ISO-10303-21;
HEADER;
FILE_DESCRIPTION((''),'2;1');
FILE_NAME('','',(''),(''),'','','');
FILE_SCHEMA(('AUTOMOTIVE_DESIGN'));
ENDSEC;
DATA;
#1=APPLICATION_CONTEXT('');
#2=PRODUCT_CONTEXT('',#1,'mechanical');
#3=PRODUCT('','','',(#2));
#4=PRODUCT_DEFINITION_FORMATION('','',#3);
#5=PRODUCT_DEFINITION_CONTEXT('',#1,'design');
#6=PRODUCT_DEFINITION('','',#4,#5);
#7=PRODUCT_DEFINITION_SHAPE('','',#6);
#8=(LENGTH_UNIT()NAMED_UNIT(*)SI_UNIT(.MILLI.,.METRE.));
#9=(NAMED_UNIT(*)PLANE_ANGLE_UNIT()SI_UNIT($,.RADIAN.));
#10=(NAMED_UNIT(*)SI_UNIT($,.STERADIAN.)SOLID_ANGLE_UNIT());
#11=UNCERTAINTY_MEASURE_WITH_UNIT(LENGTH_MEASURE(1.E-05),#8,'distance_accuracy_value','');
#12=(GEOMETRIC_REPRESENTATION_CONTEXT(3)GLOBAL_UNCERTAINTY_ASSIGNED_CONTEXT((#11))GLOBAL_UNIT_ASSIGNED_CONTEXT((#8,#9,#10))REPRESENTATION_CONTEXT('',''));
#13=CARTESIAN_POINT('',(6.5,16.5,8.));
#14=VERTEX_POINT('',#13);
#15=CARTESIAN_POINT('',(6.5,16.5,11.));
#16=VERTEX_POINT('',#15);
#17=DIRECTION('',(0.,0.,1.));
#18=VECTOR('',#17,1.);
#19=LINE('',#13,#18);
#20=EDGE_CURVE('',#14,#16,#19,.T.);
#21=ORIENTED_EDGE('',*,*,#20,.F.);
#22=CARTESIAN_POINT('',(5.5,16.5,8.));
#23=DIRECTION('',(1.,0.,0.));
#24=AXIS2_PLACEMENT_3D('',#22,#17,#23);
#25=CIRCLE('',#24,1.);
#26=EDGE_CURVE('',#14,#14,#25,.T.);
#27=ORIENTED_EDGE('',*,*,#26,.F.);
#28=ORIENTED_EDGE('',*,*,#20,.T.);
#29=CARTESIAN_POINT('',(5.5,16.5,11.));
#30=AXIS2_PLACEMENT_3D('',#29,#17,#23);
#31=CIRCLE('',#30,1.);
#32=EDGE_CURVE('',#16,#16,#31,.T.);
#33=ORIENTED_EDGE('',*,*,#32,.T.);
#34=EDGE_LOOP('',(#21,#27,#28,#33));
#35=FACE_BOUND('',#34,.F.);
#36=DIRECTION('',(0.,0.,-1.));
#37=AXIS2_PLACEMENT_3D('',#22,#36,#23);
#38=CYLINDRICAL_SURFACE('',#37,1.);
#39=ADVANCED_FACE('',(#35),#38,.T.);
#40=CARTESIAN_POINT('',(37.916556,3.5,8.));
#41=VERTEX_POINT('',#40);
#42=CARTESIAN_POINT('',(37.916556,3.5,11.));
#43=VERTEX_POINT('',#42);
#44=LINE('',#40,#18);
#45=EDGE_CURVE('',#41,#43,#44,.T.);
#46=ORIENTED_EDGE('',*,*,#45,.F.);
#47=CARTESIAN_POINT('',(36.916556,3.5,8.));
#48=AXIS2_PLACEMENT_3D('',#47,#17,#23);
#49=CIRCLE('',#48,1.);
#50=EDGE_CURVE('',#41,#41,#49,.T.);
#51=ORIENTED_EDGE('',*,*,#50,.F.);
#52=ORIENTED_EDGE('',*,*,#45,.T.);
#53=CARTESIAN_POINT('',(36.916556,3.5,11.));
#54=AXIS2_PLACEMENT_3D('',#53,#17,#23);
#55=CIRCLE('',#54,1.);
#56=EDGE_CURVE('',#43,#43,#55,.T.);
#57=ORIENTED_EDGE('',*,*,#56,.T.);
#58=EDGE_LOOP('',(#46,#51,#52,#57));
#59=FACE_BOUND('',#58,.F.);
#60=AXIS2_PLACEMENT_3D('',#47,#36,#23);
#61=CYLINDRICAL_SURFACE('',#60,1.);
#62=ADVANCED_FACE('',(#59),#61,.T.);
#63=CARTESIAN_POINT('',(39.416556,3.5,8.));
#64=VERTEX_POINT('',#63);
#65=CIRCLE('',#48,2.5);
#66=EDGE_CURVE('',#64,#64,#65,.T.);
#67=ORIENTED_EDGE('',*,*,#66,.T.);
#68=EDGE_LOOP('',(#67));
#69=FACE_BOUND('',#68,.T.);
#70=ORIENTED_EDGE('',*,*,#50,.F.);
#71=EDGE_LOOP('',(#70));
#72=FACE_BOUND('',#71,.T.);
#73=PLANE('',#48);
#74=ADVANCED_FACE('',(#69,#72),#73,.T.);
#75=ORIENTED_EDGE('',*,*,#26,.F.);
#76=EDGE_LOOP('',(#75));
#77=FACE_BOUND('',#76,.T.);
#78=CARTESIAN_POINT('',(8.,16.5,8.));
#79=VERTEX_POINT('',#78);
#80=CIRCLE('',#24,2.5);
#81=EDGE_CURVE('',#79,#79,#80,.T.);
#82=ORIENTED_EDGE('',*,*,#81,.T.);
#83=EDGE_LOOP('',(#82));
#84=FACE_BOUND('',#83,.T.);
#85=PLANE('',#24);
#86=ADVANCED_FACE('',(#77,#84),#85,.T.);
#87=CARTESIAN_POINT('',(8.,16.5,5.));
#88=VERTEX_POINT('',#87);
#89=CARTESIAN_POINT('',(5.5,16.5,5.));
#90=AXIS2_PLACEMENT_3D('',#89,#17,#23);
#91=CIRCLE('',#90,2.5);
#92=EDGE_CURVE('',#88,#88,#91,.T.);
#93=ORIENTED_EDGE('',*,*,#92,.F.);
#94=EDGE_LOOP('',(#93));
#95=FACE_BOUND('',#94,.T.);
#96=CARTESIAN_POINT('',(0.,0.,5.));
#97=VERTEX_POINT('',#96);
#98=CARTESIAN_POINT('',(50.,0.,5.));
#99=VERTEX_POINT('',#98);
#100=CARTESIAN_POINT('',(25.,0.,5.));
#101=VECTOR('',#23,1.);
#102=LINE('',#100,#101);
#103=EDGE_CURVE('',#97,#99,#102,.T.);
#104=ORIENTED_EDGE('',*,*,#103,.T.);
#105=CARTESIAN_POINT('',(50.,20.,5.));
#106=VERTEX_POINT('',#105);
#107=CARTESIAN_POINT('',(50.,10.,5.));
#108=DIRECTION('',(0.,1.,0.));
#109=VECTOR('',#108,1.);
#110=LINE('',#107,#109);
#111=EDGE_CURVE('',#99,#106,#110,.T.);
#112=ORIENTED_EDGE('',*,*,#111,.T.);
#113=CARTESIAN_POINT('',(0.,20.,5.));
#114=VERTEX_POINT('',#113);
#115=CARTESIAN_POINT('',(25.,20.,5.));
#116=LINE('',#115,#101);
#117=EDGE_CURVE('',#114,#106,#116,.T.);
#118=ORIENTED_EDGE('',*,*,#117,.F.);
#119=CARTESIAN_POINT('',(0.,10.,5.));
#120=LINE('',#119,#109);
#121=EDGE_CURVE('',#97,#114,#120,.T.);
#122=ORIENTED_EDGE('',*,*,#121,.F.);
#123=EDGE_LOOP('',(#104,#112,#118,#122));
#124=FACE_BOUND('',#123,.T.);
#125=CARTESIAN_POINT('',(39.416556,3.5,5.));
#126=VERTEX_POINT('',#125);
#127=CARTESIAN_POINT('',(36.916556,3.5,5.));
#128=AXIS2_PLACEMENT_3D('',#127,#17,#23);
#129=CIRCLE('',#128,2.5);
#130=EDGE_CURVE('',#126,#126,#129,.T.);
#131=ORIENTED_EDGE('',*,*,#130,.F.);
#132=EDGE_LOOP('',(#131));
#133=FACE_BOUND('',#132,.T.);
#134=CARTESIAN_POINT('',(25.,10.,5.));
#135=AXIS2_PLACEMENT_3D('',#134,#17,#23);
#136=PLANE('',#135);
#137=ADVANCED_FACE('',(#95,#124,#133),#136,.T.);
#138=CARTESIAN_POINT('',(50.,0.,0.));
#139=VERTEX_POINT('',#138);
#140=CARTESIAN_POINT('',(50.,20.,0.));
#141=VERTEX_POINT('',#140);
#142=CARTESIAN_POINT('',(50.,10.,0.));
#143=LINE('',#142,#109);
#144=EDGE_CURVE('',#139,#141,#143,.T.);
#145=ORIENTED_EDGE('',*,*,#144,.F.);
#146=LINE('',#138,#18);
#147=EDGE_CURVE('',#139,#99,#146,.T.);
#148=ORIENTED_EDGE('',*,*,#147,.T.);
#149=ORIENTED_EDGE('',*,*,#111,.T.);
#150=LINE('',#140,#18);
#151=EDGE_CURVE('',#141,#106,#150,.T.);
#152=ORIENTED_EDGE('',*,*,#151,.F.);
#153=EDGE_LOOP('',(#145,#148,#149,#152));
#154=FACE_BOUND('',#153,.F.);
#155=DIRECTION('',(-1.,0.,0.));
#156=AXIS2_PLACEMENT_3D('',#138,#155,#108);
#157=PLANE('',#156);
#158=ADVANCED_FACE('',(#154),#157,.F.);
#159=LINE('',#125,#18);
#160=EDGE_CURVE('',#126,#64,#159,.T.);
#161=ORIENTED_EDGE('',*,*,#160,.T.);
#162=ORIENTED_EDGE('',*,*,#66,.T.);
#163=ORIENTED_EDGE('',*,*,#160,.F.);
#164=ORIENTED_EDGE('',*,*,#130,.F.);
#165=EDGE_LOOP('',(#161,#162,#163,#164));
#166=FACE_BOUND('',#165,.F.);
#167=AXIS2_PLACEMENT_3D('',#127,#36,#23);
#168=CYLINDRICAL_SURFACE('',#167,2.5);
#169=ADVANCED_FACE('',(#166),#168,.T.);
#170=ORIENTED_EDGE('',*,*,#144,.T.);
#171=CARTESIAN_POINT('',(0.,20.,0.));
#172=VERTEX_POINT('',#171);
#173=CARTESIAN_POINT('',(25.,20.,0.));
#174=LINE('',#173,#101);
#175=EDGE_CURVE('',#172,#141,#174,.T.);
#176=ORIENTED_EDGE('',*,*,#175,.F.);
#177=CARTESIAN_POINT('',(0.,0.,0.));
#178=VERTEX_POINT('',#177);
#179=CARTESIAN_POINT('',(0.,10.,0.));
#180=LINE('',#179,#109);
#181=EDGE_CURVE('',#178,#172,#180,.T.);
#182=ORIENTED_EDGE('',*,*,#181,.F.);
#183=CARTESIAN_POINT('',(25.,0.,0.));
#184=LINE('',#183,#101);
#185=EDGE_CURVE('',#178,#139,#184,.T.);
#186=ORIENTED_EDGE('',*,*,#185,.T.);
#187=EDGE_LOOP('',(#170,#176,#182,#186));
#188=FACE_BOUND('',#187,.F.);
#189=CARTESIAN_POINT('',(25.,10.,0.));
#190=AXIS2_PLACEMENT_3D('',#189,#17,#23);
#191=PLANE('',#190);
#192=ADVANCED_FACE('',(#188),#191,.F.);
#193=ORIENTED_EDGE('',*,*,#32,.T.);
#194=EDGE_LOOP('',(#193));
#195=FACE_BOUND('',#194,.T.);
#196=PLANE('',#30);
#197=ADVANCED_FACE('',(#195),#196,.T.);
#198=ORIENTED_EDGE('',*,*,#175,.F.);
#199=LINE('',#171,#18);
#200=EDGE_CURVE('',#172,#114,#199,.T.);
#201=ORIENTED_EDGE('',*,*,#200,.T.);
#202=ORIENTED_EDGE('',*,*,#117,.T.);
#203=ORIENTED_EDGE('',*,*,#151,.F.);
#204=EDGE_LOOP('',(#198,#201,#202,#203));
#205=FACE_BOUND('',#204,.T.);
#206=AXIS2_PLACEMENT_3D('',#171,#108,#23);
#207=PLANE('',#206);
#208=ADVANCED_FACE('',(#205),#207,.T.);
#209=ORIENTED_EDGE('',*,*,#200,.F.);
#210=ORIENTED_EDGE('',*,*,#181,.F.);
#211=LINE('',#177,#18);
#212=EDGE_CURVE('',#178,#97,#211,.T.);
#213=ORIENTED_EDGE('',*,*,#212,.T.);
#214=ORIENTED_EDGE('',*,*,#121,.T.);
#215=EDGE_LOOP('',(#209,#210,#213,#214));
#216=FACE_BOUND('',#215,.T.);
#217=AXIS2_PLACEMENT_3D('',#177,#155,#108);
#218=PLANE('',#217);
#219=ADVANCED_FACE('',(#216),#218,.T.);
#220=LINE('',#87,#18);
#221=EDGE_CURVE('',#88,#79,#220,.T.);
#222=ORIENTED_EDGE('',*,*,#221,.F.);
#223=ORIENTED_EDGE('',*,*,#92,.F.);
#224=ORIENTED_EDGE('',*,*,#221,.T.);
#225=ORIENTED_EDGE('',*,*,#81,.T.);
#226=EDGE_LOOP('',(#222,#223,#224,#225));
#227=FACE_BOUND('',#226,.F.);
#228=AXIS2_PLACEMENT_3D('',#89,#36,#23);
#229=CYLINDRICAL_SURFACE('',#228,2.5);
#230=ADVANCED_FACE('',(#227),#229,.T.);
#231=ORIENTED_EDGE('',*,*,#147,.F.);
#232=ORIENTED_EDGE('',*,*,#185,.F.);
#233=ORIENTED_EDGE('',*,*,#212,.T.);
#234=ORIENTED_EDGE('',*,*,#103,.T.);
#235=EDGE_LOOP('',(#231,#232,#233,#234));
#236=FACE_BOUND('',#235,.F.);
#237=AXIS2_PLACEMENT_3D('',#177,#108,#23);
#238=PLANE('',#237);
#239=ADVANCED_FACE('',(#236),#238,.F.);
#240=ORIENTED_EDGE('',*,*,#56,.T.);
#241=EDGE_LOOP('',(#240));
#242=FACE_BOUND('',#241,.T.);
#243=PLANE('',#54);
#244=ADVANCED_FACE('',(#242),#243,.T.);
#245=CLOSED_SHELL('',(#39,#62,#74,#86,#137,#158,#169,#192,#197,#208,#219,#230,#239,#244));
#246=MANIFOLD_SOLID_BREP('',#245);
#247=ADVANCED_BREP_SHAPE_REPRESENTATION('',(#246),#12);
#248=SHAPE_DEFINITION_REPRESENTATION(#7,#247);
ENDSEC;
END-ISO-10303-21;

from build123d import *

# Parameters (mm, degrees)
SKETCH_W     = 50
SKETCH_H     = 20
PAD_DEPTH    = 5
SKETCH001_R  = 2.5
PAD001_DEPTH = 3
SKETCH002_R  = 1
PAD002_DEPTH = 3


with BuildPart() as part:
    # Sketch → Pad (new body)
    with BuildSketch(Plane.XY):
        with Locations((25, 10)):
            Rectangle(SKETCH_W, SKETCH_H)
    extrude(amount=PAD_DEPTH)

    # Sketch001 (on Face6 of Pad) → Pad001 (join)
    with BuildSketch(Plane.XY.offset(5)):
        with Locations((5.5, 16.5)):
            Circle(SKETCH001_R)
        with Locations((36.916556, 3.5)):
            Circle(SKETCH001_R)
    extrude(amount=PAD001_DEPTH)

    # Sketch002 (on Face10 of Pad001) → Pad002 (join)
    with BuildSketch(Plane.XY.offset(8)):
        with Locations((5.5, 16.5)):
            Circle(SKETCH002_R)
        with Locations((36.916556, 3.5)):
            Circle(SKETCH002_R)
    extrude(amount=PAD002_DEPTH)


solid = part.part
